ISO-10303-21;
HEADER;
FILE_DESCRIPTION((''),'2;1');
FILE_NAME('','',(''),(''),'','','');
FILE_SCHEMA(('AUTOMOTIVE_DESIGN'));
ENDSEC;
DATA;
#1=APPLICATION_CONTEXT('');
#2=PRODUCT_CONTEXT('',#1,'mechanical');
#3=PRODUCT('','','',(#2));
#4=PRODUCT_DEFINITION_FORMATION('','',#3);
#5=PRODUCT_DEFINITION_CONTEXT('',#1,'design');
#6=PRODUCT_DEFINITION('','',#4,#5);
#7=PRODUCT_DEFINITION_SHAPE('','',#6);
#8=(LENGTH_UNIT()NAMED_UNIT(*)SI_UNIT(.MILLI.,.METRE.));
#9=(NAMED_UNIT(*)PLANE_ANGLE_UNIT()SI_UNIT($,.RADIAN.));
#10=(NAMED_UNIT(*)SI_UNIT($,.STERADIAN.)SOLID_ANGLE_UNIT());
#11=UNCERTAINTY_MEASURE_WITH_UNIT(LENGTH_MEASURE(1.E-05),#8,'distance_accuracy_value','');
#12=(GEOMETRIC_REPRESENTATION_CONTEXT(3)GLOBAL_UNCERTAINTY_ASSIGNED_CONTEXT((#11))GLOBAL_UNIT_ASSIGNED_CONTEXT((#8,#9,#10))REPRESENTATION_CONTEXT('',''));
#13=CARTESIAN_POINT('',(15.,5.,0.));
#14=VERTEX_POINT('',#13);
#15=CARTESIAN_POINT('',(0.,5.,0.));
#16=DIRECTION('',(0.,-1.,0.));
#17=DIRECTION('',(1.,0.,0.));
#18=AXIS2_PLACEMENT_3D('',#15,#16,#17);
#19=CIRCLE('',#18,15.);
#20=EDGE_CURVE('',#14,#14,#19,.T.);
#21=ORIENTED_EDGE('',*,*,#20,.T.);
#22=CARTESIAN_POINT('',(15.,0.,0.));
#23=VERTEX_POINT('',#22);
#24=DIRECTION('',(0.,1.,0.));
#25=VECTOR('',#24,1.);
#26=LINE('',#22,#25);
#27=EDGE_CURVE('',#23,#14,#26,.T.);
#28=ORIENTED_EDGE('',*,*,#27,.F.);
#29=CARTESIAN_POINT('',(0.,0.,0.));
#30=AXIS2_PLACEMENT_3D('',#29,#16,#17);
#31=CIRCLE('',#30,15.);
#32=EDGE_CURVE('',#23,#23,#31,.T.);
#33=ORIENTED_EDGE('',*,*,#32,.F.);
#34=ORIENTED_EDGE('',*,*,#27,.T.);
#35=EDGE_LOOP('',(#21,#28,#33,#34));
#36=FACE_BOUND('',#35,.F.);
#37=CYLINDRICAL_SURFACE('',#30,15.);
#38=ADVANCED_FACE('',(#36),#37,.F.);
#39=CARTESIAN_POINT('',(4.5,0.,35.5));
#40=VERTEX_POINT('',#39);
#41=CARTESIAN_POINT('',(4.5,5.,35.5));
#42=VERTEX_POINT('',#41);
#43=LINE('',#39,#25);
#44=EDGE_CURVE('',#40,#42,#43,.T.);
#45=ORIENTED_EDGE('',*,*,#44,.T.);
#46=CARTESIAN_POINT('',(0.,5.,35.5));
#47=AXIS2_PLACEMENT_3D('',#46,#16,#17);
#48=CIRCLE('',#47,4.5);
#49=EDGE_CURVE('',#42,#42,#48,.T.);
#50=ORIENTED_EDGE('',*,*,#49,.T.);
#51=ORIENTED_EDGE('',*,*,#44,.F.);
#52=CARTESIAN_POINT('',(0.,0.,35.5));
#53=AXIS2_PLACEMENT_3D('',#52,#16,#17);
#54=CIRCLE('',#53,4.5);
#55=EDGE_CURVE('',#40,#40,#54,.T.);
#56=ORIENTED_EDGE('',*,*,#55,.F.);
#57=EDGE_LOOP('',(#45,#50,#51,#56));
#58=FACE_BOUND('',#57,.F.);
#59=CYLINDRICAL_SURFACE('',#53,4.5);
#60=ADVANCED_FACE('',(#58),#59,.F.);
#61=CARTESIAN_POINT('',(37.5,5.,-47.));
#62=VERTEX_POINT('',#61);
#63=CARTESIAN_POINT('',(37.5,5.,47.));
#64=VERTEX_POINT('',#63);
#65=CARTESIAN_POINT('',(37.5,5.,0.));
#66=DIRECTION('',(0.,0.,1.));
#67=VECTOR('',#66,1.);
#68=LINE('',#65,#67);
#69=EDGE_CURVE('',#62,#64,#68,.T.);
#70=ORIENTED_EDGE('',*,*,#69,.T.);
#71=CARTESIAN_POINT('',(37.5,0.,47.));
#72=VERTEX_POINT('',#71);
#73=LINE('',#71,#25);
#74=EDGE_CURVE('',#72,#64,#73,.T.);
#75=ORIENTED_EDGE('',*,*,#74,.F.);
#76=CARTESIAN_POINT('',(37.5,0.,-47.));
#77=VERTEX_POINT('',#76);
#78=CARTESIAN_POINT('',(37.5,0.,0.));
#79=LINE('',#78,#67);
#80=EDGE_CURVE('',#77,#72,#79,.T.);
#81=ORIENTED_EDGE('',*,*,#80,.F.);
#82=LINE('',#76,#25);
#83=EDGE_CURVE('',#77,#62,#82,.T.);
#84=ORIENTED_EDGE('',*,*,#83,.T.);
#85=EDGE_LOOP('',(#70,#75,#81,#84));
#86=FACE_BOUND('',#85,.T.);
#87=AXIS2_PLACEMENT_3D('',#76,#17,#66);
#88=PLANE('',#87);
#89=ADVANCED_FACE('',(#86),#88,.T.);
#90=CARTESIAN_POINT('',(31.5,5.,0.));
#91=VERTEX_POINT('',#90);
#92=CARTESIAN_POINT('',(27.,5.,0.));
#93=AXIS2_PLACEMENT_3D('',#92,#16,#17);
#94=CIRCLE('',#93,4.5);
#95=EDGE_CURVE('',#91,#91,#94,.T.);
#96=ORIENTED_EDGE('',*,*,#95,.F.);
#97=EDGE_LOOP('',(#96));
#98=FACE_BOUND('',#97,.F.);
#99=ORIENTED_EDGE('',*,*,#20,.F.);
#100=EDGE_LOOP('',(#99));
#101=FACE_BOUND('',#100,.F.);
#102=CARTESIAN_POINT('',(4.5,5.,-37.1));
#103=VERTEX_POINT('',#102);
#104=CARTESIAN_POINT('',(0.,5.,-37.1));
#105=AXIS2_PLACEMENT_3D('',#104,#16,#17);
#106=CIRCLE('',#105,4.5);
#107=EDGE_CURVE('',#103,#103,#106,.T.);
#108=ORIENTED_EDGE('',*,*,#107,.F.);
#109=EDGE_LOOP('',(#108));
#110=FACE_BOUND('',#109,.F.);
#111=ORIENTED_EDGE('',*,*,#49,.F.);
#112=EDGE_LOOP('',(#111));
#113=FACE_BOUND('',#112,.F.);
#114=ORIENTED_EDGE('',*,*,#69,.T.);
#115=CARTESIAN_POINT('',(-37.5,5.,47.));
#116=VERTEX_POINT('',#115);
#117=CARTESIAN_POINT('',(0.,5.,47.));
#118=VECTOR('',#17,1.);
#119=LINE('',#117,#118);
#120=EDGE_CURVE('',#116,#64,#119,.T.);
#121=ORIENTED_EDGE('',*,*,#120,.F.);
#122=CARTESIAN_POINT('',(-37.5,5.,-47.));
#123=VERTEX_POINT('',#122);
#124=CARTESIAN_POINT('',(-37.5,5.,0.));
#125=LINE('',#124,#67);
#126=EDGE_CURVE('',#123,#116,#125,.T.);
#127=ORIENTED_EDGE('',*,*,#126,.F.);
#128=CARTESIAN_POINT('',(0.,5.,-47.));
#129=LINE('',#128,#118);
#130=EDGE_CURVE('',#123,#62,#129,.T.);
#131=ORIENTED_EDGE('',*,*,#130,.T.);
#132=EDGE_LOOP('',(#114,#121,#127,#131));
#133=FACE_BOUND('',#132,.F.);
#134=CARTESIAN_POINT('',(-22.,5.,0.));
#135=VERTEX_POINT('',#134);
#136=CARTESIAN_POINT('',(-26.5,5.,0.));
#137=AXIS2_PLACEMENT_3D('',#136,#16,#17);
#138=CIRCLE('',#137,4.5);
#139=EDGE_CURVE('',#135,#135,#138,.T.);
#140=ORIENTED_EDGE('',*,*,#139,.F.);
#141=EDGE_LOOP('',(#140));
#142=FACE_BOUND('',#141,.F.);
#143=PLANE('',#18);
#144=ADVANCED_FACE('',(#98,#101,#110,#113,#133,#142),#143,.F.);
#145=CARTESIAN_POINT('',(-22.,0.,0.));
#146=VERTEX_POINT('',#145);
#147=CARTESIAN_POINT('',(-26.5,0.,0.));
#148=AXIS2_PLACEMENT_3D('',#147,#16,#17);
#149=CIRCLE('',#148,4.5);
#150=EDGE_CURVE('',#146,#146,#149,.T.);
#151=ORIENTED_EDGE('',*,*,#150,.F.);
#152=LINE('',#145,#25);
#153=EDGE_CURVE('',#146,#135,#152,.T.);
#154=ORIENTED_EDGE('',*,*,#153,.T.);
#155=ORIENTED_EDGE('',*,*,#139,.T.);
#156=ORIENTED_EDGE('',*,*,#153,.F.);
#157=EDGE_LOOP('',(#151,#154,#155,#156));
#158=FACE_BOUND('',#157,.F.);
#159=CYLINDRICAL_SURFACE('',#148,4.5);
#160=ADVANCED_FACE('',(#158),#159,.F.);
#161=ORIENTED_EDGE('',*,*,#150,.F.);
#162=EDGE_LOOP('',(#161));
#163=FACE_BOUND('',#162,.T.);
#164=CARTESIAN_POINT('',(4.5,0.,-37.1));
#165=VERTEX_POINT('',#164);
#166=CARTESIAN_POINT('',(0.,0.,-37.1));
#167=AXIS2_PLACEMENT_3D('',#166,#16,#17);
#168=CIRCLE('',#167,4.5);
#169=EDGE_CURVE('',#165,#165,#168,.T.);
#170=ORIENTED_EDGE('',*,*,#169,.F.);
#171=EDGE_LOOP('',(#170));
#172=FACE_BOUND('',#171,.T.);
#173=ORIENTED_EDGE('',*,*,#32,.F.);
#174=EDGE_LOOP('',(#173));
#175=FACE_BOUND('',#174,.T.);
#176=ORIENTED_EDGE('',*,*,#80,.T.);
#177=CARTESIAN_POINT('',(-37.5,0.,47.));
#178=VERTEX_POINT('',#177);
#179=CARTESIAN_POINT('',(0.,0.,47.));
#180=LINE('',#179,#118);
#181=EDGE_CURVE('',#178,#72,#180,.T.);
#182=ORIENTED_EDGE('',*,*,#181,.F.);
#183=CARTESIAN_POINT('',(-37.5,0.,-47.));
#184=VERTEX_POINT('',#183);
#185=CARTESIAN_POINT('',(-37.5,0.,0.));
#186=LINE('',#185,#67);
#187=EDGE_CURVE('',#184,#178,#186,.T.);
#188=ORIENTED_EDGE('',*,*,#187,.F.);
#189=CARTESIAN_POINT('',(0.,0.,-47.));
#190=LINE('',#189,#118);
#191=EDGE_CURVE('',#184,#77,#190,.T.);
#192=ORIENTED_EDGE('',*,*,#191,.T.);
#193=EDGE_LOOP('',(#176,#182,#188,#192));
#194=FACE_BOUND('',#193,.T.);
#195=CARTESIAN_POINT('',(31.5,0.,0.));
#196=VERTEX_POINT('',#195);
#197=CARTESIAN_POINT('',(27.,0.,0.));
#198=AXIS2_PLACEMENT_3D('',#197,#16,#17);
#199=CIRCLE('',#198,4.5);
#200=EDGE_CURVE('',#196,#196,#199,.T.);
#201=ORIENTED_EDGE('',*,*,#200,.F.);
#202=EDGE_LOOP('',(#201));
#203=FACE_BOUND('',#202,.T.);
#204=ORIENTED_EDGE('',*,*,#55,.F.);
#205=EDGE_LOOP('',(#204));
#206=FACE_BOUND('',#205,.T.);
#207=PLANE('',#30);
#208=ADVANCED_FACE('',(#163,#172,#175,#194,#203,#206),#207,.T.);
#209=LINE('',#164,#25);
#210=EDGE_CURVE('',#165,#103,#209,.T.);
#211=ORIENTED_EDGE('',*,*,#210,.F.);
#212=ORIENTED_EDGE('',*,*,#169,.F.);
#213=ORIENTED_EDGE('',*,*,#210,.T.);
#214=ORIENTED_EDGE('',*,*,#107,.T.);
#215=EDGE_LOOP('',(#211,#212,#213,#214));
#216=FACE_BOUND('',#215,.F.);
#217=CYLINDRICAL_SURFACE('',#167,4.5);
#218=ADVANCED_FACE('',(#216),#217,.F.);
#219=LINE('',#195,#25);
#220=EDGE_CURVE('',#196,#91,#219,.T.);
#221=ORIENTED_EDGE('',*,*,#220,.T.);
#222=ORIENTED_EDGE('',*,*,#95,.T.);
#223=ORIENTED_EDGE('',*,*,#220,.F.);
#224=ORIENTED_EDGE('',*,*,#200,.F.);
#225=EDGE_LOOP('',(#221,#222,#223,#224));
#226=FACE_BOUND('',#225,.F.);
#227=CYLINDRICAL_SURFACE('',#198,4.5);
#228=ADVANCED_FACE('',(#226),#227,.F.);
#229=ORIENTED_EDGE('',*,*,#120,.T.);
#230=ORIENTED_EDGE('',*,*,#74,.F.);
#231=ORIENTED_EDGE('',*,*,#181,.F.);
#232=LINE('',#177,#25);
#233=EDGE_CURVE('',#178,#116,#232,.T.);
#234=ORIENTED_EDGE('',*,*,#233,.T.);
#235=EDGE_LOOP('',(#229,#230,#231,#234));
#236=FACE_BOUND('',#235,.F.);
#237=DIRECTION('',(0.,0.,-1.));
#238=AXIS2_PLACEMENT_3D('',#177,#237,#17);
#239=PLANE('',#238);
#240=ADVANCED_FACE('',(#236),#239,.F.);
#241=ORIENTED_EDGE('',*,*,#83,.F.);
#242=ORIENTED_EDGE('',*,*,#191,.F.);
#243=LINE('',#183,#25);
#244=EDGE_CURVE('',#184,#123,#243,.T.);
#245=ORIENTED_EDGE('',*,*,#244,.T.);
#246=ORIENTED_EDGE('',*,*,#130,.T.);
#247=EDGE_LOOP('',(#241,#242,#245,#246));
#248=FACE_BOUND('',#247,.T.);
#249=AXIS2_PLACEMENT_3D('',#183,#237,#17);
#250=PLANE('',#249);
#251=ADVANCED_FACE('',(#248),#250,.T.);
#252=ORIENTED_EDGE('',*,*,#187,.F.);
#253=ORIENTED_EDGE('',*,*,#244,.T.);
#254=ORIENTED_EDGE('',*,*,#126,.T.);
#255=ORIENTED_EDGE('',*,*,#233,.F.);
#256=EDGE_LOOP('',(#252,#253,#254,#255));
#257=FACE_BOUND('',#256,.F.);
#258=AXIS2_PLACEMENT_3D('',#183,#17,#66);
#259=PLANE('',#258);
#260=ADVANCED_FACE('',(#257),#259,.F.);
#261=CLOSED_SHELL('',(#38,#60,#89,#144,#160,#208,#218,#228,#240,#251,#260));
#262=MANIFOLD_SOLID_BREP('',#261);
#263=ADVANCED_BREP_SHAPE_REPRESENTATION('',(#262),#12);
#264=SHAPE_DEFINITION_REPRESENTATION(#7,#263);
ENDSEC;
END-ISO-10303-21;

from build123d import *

# Parameters (mm, degrees)
F0_W     = 75
F0_H     = 94
F1_DEPTH = 5
F2_R     = 15
F2_R_2   = 4.5
F3_DEPTH = 5


with BuildPart() as f1:
    # F0 (on Front) → F1 (new body)
    with BuildSketch(Plane.XZ):
        Rectangle(F0_W, F0_H)
    extrude(amount=-F1_DEPTH)

    # F2 (on face) → F3 (cut, through all)
    with BuildSketch(Plane.XZ):
        Circle(F2_R)
        with Locations((0, 35.5)):
            Circle(F2_R_2)
        with Locations((-26.5, 0)):
            Circle(F2_R_2)
        with Locations((27, 0)):
            Circle(F2_R_2)
        with Locations((0, -37.1)):
            Circle(F2_R_2)
    extrude(amount=-F3_DEPTH, mode=Mode.SUBTRACT)


solid = f1.part
